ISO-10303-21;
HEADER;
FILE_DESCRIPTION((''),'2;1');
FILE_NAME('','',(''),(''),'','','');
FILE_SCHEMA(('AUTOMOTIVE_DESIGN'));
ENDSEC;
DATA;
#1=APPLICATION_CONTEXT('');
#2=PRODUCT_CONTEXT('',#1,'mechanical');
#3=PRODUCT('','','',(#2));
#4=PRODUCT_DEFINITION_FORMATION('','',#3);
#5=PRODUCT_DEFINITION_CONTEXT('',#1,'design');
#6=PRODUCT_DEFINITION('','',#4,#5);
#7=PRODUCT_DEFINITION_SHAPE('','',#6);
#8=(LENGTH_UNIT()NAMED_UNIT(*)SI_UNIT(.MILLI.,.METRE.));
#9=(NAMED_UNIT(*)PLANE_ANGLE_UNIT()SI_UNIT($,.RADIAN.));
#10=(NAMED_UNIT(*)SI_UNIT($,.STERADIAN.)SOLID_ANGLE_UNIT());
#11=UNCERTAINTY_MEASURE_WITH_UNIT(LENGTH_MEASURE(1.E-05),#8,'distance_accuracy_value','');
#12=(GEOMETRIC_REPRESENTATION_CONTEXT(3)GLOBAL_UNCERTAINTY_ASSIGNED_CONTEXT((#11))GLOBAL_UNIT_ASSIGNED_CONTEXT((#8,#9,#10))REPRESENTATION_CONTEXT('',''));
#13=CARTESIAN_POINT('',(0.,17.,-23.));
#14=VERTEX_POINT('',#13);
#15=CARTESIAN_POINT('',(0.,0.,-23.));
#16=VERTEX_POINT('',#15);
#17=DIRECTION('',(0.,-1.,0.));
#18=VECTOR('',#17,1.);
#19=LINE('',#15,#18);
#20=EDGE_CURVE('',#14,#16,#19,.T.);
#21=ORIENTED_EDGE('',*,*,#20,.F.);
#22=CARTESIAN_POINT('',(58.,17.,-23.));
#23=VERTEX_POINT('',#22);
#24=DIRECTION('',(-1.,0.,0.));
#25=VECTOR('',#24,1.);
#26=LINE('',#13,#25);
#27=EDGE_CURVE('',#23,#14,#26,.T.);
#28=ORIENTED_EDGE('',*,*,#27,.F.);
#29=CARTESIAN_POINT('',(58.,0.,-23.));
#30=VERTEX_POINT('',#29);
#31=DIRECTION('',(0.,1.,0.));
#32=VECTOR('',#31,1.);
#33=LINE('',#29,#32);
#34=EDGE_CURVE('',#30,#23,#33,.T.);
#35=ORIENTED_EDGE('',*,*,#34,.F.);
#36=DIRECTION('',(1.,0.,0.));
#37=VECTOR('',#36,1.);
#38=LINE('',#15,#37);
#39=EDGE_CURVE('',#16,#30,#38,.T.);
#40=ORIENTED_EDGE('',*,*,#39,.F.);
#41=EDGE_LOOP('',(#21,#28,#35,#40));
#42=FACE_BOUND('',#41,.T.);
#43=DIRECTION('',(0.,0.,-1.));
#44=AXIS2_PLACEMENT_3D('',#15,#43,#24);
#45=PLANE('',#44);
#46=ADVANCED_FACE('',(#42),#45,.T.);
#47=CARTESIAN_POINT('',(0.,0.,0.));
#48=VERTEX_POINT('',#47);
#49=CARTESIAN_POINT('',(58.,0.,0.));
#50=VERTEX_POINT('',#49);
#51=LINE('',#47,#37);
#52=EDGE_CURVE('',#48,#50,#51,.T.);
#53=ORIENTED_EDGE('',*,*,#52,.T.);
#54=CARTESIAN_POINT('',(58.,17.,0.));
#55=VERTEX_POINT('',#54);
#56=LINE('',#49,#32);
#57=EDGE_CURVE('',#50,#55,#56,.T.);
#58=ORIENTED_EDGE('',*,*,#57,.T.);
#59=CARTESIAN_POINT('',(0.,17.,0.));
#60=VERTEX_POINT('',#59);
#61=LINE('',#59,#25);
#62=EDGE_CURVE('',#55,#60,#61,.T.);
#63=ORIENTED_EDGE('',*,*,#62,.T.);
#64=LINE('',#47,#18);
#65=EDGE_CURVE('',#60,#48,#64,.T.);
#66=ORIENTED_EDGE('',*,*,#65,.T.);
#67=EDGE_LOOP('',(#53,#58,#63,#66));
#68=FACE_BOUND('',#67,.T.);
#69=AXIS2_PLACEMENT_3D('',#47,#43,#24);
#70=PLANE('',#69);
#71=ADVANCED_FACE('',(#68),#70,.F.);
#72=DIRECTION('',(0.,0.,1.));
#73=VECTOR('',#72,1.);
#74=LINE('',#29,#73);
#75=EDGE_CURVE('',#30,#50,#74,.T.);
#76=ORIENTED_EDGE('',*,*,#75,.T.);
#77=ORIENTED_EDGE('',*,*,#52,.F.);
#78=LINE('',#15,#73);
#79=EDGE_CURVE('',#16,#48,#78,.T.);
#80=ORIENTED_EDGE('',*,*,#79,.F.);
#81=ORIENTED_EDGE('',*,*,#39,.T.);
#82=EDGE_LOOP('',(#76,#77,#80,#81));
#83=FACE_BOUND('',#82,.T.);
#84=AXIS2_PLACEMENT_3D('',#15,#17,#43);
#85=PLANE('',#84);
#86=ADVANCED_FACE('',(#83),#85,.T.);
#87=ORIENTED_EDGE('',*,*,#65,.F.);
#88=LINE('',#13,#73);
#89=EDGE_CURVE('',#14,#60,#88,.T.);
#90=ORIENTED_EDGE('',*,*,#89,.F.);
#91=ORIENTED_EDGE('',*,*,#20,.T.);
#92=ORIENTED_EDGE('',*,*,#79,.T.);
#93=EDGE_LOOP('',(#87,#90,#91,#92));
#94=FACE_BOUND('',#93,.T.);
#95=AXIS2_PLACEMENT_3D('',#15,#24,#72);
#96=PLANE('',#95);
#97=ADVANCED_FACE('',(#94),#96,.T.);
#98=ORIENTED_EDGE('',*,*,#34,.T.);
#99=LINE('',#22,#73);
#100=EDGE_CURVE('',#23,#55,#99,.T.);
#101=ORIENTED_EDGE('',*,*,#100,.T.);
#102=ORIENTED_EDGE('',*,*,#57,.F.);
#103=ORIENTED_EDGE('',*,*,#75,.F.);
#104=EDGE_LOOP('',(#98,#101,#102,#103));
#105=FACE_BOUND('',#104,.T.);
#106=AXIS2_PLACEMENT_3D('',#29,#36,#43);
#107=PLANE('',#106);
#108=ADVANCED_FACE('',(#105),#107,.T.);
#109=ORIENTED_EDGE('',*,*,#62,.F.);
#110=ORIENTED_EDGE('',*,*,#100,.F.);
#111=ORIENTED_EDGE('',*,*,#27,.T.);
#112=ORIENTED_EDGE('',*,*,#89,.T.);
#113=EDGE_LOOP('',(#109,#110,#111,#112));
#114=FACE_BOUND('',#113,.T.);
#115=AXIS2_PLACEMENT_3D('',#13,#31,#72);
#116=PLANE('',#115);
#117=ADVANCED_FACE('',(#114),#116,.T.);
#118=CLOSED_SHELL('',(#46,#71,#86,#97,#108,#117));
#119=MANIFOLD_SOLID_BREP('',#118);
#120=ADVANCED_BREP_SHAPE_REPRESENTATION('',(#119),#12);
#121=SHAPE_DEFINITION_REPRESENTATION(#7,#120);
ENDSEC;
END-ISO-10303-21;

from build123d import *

# Parameters (mm, degrees)
CROQUIS1_W              = 58
CROQUIS1_H              = 17
SALIENTE_EXTRUIR1_DEPTH = 23


with BuildPart() as part:
    # Croquis1 → Saliente-Extruir1 (new body)
    with BuildSketch(Plane.XY):
        with Locations((29, 8.5)):
            Rectangle(CROQUIS1_W, CROQUIS1_H)
    extrude(amount=-SALIENTE_EXTRUIR1_DEPTH)


solid = part.part
